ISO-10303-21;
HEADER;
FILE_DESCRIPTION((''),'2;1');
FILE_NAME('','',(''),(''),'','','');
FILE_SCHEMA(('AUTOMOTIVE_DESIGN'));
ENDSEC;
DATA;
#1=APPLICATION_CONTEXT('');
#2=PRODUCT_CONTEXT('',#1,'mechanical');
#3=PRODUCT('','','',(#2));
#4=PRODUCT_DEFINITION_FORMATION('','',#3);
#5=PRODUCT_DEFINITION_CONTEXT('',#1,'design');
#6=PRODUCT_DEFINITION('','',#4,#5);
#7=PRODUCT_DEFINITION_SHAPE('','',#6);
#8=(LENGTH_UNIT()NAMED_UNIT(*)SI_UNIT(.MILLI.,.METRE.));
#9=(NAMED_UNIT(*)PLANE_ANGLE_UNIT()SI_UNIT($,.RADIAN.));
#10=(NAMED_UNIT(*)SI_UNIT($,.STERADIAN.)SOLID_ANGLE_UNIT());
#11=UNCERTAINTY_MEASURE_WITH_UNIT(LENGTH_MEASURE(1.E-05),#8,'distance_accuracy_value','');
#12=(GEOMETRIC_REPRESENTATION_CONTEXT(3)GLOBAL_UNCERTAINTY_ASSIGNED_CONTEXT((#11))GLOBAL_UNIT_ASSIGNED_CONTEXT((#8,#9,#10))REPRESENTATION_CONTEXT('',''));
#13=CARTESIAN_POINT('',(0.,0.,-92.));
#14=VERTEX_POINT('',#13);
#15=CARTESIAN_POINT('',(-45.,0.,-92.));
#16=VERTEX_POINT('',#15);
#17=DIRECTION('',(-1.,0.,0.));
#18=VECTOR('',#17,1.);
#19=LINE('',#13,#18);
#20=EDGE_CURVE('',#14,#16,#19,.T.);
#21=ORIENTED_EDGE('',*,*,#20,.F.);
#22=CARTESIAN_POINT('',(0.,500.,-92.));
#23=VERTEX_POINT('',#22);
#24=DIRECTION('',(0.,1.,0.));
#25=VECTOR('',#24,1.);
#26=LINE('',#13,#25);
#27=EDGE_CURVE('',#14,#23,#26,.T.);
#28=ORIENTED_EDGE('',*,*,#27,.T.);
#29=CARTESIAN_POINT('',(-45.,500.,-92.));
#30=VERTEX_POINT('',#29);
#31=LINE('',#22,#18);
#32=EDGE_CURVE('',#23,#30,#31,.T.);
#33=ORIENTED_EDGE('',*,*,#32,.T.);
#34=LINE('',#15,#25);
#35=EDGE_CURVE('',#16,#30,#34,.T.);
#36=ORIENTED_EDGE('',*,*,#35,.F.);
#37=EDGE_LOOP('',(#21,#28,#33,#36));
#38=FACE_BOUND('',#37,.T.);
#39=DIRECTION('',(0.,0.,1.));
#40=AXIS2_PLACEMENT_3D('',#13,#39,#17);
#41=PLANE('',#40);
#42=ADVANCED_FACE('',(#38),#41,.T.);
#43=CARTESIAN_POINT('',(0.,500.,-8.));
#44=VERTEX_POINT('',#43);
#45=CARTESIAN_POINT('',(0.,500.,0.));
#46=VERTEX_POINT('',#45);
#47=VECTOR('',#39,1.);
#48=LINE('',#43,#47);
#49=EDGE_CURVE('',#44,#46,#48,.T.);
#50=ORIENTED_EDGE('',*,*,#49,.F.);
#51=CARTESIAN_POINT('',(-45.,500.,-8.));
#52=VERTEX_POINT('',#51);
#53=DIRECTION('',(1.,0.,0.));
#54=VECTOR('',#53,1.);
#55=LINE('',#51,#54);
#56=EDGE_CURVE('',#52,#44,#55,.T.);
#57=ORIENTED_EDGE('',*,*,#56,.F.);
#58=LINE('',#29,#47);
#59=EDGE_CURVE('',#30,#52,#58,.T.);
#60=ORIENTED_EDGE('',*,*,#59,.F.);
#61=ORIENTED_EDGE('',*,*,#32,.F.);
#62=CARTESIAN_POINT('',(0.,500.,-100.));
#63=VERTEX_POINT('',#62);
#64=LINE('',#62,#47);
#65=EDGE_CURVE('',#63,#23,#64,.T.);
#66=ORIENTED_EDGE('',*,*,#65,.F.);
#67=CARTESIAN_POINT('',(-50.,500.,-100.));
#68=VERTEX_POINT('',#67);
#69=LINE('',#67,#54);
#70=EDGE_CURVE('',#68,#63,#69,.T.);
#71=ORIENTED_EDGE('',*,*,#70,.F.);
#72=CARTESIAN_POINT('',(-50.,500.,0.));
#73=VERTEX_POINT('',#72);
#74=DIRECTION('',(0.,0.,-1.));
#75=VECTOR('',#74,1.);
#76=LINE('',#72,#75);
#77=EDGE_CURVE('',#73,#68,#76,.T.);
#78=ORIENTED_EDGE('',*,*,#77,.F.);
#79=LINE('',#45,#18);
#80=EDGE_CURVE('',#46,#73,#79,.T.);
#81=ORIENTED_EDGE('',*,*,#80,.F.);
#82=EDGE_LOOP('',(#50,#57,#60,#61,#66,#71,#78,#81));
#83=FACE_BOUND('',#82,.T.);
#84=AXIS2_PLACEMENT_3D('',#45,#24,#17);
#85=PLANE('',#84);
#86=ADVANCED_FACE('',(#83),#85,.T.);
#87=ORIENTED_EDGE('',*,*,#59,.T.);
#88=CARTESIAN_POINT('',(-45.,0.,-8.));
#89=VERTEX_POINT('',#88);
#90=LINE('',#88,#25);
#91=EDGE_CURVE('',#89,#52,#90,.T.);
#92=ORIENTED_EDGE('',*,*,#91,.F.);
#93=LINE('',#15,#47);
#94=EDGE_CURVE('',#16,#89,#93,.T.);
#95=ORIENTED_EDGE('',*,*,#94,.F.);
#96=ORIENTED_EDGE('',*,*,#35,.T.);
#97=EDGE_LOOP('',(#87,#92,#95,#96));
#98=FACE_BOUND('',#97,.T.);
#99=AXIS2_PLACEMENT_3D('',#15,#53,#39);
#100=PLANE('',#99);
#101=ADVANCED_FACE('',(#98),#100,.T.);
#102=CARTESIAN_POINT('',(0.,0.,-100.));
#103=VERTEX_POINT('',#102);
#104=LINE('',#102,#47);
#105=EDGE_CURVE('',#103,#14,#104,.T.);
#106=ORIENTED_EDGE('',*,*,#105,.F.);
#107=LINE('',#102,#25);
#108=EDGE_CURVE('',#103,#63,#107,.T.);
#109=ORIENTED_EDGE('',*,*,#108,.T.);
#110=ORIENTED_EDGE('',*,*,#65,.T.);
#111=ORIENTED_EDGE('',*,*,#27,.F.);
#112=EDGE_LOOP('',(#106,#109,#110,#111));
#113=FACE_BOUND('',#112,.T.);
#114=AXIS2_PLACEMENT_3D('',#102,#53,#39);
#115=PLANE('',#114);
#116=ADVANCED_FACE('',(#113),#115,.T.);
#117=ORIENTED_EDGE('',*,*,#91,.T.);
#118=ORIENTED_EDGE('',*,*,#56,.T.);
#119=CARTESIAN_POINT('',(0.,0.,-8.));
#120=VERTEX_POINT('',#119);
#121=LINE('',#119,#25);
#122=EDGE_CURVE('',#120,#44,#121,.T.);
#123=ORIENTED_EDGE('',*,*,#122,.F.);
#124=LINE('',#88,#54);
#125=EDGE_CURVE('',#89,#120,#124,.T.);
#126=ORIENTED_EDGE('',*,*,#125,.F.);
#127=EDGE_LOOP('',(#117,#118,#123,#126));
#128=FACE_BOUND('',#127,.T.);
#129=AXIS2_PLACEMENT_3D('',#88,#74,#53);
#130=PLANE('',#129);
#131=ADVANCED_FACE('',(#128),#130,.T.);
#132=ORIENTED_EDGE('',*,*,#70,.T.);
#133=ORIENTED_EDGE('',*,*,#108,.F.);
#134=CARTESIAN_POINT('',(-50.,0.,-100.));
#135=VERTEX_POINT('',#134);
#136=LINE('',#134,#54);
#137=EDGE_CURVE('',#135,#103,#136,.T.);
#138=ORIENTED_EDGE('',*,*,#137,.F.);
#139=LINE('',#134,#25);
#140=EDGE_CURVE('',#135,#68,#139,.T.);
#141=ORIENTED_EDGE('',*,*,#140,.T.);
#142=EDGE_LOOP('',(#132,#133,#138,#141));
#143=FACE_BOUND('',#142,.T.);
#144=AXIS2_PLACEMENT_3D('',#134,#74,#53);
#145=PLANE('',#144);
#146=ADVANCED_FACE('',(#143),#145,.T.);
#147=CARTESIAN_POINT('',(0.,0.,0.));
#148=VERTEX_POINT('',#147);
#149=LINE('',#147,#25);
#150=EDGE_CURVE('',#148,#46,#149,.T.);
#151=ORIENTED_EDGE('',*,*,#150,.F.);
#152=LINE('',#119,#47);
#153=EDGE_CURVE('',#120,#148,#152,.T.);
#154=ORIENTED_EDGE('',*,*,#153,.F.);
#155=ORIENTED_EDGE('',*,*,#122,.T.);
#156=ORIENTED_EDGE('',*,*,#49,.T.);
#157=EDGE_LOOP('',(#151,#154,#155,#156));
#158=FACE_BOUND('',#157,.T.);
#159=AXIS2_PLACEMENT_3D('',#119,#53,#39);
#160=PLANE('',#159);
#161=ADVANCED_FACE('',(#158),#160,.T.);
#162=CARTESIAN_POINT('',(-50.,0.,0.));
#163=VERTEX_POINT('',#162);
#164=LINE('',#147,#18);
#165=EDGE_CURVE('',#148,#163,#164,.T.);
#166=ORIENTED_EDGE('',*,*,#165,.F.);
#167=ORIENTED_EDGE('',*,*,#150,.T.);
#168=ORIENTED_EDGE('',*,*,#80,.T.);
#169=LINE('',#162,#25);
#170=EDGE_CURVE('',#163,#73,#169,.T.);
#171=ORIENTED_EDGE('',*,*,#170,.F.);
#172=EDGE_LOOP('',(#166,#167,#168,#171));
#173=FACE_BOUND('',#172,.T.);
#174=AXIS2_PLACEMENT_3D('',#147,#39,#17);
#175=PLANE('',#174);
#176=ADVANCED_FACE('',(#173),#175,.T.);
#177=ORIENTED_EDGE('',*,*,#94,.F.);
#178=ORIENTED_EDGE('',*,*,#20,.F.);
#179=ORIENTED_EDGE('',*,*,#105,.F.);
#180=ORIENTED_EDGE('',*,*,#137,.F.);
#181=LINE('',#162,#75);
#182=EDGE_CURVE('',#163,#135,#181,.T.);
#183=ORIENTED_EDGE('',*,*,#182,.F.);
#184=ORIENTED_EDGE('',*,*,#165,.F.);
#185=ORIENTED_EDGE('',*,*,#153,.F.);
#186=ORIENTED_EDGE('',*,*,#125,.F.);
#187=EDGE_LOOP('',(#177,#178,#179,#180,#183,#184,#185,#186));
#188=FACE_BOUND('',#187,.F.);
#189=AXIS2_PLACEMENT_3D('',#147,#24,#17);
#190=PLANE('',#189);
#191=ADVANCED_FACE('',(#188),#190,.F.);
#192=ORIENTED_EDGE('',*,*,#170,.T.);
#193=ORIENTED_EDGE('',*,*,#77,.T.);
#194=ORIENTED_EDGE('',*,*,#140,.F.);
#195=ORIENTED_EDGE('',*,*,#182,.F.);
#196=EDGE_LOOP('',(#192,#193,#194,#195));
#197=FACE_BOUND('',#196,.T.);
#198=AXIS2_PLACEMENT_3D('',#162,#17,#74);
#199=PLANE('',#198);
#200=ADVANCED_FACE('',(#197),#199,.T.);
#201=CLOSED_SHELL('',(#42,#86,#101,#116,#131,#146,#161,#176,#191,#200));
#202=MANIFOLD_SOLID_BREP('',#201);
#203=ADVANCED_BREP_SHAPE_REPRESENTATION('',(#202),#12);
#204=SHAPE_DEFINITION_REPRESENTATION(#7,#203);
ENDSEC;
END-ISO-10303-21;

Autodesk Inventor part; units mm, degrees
ref_plane "YZ Plane" through (0, 0, 0) normal (1, 0, 0) x (0, 1, 0)
ref_plane "XZ Plane" through (0, 0, 0) normal (0, 1, 0) x (-1, 0, 0)
ref_plane "XY Plane" through (0, 0, 0) normal (0, 0, 1) x (1, 0, 0)
sketch "Sketch1" plane through (0, 0, 0) normal (0, 1, 0) x (-1, 0, 0)
  line L0 (0, 0) -> (50, 0)
  line L1 (50, 0) -> (50, -100)
  line L2 (50, -100) -> (0, -100)
  line L3 (0, -100) -> (0, -92)
  line L4 (0, -92) -> (45, -92)
  line L5 (45, -92) -> (45, -8)
  line L6 (45, -8) -> (0, -8)
  line L7 (0, -8) -> (0, 0)
  dimension "d0" = 50
  dimension "d1" = 100
  dimension "d2" = 8
  dimension "d3" = 45
  dimension "d4" = 84
extrude "Extrusion1" add sketch "Sketch1" along normal blind 500
properties part number "Channel1_CPY1"
